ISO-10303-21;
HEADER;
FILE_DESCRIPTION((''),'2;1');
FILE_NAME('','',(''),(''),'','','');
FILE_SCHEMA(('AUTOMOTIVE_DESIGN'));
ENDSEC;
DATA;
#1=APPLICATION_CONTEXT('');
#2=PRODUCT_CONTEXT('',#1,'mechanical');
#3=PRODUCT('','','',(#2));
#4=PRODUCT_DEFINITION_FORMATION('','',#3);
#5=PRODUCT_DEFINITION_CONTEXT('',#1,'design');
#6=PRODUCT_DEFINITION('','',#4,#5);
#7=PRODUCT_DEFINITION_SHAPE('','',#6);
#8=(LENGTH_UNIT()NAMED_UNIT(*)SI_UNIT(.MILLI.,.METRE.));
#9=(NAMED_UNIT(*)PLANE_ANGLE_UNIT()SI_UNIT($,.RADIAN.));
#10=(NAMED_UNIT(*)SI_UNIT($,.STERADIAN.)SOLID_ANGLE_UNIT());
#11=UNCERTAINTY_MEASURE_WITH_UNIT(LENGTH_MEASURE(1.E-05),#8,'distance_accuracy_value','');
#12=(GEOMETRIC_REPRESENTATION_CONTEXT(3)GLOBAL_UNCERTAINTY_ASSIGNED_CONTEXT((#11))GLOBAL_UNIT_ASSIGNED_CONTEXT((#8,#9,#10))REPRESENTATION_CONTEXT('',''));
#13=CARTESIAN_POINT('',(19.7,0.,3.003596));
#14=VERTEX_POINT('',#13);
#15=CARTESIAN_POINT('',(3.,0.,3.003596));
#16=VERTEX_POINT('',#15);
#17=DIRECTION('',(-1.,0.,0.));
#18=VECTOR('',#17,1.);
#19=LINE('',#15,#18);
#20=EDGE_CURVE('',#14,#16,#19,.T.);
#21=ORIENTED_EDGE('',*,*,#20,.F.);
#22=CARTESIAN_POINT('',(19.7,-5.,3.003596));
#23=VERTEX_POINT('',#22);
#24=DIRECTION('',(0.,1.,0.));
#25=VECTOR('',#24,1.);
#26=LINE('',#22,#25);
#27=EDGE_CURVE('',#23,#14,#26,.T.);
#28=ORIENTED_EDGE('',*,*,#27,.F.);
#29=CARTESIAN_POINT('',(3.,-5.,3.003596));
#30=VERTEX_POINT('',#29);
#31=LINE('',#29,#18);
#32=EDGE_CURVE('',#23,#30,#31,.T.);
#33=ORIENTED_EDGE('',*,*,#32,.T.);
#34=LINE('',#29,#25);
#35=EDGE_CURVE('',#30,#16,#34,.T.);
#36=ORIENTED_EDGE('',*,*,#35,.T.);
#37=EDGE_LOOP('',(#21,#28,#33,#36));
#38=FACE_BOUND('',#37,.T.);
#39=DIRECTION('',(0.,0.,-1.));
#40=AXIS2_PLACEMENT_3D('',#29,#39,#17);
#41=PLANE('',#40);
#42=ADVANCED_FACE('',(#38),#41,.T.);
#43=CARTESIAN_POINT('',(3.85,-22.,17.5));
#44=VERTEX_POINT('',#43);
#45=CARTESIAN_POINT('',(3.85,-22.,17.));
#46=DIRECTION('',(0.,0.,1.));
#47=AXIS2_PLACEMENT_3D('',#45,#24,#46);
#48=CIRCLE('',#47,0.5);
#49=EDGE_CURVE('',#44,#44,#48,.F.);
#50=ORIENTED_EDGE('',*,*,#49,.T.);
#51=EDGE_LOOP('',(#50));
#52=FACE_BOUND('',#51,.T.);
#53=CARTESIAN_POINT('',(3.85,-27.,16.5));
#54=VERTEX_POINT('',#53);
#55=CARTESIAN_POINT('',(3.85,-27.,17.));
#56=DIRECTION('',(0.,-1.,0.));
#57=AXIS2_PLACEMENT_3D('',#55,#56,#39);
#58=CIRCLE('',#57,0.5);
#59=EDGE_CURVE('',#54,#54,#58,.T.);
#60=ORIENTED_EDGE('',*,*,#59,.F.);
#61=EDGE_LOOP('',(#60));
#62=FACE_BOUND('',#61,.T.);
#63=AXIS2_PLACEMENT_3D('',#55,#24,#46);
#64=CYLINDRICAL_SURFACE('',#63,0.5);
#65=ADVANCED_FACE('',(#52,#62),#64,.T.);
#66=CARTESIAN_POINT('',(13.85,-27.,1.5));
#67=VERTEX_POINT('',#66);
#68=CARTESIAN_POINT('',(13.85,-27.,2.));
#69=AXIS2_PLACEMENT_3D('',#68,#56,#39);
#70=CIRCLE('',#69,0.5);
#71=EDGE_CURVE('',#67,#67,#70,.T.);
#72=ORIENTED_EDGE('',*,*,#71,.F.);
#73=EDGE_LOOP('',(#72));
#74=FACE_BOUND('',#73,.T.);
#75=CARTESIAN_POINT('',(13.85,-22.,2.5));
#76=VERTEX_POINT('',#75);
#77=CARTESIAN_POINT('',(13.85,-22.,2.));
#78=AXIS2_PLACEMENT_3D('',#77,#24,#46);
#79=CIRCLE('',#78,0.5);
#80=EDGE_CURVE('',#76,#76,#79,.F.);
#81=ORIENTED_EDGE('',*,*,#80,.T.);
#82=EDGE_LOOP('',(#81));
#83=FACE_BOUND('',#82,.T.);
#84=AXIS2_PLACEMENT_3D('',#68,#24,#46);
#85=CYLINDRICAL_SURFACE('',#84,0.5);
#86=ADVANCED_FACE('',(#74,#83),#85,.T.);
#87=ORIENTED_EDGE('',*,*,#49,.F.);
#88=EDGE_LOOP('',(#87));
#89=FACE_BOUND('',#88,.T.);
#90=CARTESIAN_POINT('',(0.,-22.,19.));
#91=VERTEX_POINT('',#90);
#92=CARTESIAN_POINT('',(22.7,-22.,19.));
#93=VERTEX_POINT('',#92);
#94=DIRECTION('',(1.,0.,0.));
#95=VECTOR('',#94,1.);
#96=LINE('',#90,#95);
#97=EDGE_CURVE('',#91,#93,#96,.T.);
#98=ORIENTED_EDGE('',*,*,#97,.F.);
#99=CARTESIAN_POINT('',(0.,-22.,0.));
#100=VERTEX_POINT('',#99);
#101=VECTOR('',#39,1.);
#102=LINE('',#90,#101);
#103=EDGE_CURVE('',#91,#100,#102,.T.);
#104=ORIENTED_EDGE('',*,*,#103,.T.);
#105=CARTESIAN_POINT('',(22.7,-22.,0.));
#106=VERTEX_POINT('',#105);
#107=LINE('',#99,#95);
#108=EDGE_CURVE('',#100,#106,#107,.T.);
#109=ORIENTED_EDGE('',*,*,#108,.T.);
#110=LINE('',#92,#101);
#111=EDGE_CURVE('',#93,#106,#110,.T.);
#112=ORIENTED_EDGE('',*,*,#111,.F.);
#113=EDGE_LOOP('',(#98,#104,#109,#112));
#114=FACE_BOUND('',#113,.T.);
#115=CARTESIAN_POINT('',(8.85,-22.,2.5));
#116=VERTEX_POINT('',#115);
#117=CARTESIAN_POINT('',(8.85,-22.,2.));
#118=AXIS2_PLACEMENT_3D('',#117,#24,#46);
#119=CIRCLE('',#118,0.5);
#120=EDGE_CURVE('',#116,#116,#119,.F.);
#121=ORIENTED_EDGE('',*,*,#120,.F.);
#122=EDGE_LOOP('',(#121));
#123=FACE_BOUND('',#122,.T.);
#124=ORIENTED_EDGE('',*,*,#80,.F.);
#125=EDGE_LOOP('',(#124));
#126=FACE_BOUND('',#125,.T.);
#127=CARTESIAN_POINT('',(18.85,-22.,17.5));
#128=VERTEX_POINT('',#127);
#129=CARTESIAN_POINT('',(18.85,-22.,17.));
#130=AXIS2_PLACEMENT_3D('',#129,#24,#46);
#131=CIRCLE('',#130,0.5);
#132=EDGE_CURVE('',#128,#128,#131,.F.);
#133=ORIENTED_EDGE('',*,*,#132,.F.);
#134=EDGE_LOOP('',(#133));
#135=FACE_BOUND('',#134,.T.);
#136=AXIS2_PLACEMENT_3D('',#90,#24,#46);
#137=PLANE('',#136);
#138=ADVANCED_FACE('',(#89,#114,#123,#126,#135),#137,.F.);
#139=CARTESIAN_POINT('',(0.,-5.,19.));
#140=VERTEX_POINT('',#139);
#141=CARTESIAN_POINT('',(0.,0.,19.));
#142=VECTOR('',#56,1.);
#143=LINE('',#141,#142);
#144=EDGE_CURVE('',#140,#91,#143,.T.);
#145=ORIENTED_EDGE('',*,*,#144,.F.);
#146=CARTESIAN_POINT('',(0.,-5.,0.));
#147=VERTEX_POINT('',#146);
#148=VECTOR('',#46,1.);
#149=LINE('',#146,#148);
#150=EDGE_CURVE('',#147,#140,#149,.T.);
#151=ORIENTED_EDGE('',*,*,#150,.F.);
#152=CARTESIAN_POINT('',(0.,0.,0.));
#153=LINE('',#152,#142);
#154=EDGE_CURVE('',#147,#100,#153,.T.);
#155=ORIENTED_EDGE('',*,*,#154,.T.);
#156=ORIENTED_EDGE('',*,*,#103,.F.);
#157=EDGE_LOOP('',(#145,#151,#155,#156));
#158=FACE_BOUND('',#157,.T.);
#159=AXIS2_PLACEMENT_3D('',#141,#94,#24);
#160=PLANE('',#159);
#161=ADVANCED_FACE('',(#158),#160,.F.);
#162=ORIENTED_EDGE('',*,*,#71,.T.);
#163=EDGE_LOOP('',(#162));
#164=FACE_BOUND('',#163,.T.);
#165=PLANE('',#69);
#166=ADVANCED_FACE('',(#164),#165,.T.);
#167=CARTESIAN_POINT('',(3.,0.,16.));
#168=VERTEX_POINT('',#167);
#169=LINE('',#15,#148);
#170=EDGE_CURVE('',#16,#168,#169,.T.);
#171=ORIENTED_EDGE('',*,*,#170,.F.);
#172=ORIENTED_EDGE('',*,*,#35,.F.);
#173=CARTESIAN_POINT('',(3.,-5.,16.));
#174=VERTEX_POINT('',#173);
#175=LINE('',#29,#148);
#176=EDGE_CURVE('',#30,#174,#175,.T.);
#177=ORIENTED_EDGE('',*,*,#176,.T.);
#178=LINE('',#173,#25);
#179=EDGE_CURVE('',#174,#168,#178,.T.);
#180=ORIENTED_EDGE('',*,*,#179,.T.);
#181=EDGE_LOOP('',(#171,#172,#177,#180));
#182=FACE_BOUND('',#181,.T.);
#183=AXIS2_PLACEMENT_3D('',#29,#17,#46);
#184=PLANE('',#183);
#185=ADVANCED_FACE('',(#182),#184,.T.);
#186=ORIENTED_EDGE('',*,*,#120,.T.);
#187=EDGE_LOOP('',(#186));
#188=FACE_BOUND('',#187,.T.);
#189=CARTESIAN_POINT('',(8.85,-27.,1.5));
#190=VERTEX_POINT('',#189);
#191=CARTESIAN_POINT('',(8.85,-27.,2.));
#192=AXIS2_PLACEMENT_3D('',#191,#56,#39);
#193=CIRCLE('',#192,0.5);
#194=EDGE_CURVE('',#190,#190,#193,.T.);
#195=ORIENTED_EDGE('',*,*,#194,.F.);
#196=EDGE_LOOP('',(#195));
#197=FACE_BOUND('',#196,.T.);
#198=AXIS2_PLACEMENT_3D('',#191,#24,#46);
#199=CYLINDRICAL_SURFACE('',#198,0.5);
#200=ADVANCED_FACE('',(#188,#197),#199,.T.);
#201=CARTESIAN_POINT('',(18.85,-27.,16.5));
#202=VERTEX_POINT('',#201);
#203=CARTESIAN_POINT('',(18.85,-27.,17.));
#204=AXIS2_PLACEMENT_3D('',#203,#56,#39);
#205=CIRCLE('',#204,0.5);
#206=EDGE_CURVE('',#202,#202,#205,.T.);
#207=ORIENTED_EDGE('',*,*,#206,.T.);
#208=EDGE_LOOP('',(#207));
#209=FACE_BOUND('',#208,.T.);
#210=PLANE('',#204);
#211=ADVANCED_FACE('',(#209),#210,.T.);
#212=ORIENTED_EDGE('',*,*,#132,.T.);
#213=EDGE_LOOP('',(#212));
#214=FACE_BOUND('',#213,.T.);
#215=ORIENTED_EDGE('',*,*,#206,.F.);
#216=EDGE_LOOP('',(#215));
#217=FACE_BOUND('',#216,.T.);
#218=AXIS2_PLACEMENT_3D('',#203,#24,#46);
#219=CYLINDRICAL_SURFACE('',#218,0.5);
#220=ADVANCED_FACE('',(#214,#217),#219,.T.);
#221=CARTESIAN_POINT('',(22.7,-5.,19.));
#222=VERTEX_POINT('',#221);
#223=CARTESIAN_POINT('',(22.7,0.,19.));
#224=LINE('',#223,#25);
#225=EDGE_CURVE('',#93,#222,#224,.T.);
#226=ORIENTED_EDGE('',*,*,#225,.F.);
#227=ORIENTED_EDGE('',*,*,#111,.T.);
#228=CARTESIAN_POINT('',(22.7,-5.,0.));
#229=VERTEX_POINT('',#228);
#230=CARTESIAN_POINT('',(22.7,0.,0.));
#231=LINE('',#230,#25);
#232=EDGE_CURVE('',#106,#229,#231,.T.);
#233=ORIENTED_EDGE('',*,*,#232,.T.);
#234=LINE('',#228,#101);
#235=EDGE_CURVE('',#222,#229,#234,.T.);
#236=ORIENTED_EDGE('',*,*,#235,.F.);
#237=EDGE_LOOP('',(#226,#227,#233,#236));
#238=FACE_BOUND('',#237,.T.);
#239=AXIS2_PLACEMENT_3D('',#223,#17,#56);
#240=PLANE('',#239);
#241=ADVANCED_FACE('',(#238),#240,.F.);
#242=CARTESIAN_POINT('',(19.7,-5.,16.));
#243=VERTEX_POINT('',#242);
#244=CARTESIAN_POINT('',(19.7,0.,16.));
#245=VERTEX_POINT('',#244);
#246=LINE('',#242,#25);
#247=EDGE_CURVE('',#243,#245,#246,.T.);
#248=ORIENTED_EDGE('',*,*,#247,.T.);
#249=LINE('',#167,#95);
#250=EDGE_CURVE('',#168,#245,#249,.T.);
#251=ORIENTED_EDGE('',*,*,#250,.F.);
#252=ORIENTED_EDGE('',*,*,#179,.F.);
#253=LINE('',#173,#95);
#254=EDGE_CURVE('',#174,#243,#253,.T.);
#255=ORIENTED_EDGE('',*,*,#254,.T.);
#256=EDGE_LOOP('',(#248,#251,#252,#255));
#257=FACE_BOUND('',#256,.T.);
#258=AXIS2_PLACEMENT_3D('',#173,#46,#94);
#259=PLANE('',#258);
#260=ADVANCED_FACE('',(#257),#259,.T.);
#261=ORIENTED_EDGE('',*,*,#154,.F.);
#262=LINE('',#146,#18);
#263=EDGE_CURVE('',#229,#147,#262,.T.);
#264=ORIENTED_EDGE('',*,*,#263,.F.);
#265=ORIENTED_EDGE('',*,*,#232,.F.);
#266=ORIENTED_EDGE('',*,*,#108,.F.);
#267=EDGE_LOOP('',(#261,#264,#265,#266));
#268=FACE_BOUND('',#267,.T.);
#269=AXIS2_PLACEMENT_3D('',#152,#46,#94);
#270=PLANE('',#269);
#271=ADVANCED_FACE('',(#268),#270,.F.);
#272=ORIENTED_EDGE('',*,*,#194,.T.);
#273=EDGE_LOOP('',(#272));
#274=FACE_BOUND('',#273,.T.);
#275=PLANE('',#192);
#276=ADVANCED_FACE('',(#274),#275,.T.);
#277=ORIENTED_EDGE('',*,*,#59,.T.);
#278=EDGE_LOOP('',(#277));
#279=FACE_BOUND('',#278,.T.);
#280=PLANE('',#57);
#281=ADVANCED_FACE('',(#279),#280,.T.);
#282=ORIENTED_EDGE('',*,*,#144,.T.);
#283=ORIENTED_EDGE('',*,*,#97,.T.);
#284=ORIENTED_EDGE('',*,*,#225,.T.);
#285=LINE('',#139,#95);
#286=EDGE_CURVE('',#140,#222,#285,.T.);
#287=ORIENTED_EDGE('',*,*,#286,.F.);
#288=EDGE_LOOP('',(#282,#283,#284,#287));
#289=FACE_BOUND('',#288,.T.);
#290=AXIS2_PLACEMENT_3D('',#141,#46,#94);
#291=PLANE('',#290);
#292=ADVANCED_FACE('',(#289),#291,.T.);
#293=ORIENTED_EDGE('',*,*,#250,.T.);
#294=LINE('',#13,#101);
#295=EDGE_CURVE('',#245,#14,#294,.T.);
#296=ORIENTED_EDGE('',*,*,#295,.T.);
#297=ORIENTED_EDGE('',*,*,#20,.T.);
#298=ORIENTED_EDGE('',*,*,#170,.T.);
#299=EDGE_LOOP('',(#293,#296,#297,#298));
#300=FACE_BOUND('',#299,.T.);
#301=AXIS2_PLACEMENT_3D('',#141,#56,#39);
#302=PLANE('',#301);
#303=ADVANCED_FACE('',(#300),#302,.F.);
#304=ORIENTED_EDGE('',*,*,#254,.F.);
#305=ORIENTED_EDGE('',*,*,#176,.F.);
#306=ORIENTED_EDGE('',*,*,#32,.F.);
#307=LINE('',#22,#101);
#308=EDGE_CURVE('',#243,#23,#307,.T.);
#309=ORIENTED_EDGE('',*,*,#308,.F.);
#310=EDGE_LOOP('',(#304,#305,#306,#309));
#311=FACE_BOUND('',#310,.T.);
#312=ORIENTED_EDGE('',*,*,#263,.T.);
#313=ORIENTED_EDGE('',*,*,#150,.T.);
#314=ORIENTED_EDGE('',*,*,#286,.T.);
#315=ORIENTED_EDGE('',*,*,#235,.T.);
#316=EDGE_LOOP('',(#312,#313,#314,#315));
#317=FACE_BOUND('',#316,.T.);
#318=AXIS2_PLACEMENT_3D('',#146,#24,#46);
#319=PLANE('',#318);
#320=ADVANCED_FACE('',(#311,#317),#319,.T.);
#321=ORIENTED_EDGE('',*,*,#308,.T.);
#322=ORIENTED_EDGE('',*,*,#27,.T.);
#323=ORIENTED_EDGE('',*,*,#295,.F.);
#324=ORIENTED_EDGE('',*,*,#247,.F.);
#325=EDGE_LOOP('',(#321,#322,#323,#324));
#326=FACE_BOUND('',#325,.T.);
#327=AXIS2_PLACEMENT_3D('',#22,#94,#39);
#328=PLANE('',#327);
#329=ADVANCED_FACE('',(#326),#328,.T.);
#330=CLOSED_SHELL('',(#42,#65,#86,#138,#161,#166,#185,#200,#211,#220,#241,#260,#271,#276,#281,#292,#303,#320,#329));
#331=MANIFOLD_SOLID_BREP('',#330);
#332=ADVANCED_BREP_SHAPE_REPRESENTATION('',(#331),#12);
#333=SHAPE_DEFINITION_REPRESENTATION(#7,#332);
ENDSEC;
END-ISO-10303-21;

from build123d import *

# Parameters (mm, degrees)
SKETCH2_W           = 22.7
SKETCH2_H           = 22
BOSS_EXTRUDE1_DEPTH = 19
SKETCH3_R           = 0.5
BOSS_EXTRUDE2_DEPTH = 5
SKETCH5_W           = 22.7
SKETCH5_H           = 19
SKETCH5_W_2         = 16.7
SKETCH5_H_2         = 12.996403956
CUT_EXTRUDE1_DEPTH  = 5


with BuildPart() as part:
    # Sketch2 → Boss-Extrude1 (new body)
    with BuildSketch(Plane.XY):
        with Locations((11.35, -11)):
            Rectangle(SKETCH2_W, SKETCH2_H)
    extrude(amount=BOSS_EXTRUDE1_DEPTH)

    # Sketch3 → Boss-Extrude2 (add)
    with BuildSketch(Plane.XZ.offset(22)):
        with Locations(Location((18.85, 17, 0), (0, 0, 90))):
            Circle(SKETCH3_R)
        with Locations(Location((3.85, 17, 0), (0, 0, 90))):
            Circle(SKETCH3_R)
        with Locations(Location((8.85, 2, 0), (0, 0, 90))):
            Circle(SKETCH3_R)
        with Locations(Location((13.85, 2, 0), (0, 0, 90))):
            Circle(SKETCH3_R)
    extrude(amount=BOSS_EXTRUDE2_DEPTH)

    # Sketch5 → Cut-Extrude1 (cut)
    with BuildSketch(Plane(origin=(0, 0, 0), x_dir=(1, 0, 0), z_dir=(0, 1, 0))):
        with Locations((11.35, -9.5)):
            Rectangle(SKETCH5_W, SKETCH5_H)
        with Locations((11.35, -9.501798022)):
            Rectangle(SKETCH5_W_2, SKETCH5_H_2, mode=Mode.SUBTRACT)
    extrude(amount=-CUT_EXTRUDE1_DEPTH, mode=Mode.SUBTRACT)


solid = part.part
